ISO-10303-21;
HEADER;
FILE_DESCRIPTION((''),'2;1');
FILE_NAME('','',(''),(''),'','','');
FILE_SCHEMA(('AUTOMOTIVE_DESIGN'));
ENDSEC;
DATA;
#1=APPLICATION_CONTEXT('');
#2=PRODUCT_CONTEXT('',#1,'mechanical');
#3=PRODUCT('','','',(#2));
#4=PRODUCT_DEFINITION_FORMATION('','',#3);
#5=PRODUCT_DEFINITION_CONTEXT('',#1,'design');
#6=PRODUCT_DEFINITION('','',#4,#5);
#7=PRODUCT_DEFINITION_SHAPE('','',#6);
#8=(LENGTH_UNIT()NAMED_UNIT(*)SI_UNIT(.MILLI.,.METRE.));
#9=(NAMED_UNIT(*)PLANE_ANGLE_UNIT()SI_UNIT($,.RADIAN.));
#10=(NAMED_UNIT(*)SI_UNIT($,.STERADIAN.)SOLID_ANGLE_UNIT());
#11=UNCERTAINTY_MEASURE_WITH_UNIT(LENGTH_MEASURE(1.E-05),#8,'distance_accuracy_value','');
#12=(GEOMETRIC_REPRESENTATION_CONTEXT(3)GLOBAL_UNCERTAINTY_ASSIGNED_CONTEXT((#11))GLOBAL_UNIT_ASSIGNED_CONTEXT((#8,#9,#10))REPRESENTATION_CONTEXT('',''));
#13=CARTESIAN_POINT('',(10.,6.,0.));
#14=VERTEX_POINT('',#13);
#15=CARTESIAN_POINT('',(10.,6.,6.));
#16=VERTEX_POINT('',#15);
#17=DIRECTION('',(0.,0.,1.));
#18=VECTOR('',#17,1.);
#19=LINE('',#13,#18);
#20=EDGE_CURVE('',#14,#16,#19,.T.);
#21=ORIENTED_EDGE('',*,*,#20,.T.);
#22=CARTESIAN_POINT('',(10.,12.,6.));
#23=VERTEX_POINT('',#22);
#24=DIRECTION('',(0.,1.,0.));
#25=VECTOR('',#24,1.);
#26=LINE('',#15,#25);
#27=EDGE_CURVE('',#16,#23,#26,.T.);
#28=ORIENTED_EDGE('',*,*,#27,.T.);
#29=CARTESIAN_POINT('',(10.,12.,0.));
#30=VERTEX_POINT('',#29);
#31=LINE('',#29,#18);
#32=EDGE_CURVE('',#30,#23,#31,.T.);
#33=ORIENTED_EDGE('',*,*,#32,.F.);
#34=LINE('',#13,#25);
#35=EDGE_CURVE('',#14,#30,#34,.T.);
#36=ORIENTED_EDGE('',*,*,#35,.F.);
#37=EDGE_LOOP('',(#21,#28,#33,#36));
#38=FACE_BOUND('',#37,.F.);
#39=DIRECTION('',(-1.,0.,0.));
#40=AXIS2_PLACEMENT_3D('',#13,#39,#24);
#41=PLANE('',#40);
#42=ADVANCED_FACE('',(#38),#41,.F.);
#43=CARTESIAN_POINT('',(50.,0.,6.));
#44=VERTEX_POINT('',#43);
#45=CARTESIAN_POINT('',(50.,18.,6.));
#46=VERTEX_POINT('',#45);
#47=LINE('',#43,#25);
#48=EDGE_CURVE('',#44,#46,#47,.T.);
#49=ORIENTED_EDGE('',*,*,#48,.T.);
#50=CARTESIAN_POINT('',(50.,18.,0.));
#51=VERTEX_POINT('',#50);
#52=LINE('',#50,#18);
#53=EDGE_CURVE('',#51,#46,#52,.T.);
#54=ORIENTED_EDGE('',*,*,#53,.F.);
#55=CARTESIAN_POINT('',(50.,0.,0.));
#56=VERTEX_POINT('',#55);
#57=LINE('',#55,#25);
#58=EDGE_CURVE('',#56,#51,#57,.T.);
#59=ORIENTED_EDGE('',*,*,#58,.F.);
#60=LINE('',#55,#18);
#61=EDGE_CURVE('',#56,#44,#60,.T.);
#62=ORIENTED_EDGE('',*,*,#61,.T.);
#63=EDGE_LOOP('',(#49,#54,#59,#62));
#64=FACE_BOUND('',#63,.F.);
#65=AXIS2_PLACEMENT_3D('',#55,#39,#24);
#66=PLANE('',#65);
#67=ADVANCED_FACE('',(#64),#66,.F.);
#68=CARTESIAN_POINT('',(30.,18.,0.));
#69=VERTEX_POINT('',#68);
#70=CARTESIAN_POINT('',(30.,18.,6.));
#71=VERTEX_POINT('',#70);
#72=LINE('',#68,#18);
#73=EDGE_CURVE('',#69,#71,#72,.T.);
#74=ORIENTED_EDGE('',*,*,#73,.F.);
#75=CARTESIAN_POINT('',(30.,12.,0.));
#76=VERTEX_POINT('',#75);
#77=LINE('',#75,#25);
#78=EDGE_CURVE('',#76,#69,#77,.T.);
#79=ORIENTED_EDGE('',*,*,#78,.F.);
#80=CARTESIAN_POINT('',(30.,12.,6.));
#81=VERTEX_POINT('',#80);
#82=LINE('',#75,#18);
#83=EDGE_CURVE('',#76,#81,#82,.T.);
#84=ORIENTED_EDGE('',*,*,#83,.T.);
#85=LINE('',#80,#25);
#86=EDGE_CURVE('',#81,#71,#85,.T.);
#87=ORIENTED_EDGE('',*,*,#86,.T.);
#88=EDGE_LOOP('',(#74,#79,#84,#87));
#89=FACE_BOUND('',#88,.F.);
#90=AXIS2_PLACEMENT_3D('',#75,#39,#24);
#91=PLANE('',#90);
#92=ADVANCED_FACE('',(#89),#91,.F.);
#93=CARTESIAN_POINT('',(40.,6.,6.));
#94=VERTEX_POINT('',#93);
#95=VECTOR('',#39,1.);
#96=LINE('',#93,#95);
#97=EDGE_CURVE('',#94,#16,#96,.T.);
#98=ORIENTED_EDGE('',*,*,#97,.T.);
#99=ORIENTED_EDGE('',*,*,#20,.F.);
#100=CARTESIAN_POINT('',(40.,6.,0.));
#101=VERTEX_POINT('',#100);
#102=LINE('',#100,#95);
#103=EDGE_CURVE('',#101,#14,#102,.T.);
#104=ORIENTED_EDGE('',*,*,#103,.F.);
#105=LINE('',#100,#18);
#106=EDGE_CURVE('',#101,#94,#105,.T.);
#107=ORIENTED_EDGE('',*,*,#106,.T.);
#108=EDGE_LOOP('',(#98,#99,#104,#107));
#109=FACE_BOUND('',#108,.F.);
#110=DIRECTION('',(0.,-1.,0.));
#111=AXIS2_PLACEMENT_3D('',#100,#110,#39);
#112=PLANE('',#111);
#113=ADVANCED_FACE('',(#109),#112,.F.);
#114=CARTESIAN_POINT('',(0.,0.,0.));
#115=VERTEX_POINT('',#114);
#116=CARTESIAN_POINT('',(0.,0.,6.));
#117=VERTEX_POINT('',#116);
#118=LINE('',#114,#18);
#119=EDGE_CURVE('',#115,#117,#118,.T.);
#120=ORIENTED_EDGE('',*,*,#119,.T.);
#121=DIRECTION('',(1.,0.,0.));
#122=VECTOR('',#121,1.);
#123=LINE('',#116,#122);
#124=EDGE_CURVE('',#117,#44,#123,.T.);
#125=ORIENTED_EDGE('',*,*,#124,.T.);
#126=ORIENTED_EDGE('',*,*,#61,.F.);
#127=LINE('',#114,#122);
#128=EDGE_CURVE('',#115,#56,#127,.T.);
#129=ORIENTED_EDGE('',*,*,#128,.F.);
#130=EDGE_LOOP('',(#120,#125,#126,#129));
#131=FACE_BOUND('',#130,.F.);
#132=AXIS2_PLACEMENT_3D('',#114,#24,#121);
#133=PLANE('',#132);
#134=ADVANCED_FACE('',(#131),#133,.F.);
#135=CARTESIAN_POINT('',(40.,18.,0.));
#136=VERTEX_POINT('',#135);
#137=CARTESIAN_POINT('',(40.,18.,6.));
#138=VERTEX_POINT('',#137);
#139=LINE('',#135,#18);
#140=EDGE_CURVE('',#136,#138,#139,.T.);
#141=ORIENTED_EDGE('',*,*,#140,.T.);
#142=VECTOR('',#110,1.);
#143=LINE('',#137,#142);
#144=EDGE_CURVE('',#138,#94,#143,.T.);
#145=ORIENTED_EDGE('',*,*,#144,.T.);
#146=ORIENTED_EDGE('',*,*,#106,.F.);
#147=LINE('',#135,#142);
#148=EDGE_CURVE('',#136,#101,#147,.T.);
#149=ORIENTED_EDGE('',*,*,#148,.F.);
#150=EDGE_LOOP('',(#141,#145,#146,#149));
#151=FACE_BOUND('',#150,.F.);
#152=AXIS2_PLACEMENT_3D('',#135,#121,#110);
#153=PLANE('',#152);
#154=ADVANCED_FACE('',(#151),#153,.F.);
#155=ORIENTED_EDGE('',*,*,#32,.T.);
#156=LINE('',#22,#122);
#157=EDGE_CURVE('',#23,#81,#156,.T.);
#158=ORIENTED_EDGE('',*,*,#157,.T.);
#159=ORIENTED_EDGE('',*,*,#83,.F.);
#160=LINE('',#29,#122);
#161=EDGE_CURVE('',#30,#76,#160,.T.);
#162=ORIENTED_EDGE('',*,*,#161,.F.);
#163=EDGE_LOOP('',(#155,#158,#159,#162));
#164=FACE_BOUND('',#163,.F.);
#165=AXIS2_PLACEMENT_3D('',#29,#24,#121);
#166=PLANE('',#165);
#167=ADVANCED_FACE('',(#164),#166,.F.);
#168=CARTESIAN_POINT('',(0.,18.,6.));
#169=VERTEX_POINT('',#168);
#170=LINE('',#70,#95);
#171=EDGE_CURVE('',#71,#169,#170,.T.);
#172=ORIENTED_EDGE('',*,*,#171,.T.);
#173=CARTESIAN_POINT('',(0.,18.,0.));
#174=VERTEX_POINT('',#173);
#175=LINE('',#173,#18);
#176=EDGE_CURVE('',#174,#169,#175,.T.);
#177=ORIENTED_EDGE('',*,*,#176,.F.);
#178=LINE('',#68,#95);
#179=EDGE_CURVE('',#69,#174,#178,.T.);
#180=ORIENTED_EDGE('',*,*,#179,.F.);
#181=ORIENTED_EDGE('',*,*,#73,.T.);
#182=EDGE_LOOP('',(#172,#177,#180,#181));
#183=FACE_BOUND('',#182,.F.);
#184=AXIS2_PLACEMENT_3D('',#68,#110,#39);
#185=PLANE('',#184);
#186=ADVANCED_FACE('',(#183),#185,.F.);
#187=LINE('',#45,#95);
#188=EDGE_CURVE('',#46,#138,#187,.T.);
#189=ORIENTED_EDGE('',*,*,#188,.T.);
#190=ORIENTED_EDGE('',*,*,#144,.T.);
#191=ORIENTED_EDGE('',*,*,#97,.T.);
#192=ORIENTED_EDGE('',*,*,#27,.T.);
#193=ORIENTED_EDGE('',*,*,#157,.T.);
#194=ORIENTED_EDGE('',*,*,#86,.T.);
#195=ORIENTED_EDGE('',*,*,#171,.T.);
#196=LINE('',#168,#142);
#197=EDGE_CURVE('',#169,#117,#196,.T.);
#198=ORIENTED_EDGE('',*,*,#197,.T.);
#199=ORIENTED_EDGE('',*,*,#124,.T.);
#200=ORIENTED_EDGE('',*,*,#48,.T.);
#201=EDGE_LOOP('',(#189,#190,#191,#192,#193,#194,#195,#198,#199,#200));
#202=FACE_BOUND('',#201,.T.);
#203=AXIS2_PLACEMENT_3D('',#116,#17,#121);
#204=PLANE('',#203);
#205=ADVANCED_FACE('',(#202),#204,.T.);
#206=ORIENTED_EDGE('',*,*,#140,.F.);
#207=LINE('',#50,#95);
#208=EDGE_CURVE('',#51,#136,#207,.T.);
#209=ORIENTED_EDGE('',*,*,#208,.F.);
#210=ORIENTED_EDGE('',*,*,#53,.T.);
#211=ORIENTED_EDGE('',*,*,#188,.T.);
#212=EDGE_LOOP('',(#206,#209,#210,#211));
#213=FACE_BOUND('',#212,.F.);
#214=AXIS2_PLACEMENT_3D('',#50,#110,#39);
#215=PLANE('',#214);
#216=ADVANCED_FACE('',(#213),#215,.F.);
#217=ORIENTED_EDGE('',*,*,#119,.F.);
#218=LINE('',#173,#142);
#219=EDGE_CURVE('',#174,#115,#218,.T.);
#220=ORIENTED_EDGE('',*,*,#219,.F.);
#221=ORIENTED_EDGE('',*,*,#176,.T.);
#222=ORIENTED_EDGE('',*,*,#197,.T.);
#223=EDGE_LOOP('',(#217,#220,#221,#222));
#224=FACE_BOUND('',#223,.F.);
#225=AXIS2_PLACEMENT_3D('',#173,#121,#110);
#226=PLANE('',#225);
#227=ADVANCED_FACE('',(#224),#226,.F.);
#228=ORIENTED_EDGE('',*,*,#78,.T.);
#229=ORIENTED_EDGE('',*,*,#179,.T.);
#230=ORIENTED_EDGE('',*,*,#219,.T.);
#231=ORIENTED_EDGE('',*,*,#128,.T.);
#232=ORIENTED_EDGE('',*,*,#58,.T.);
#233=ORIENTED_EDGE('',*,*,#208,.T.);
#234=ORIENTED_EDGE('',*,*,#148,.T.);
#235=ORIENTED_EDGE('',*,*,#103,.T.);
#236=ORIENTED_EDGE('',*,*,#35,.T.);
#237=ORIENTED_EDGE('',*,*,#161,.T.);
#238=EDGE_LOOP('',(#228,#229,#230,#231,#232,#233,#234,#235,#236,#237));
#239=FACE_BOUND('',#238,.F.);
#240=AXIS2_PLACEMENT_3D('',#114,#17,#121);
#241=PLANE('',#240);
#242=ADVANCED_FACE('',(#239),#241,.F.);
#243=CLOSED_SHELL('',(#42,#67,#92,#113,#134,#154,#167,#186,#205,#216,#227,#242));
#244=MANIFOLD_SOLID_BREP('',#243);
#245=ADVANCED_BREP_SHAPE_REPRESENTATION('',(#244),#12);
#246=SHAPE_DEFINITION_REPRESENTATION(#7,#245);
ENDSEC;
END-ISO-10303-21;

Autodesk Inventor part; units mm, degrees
ref_plane "YZ Plane" through (0, 0, 0) normal (1, 0, 0) x (0, 1, 0)
ref_plane "XZ Plane" through (0, 0, 0) normal (0, 1, 0) x (-1, 0, 0)
ref_plane "XY Plane" through (0, 0, 0) normal (0, 0, 1) x (1, 0, 0)
sketch "Szkic1" plane through (0, 0, 0) normal (0, 0, 1) x (1, 0, 0)
  line L0 (0, 0) -> (50, 0) construction
  line L1 (50, 0) -> (50, 18) construction
  line L2 (50, 18) -> (0, 18) construction
  line L3 (0, 18) -> (0, 0) construction
  line L4 (25, 18) -> (25, 0) construction
  line L5 (0, 0) -> (0, 6) construction
  line L6 (0, 6) -> (50, 6) construction
  line L7 (50, 6) -> (50, 12) construction
  line L8 (50, 12) -> (0, 12) construction
  line L9 (0, 12) -> (0, 6) construction
  line L10 (0, 18) -> (10, 18) construction
  line L11 (10, 18) -> (10, 0) construction
  line L12 (50, 18) -> (30, 18) construction
  line L13 (30, 18) -> (30, 0) construction
  line L14 (40, 18) -> (40, 0) construction
  line L15 (0, 0) -> (50, 0)
  line L16 (50, 0) -> (50, 18)
  line L17 (50, 18) -> (40, 18)
  line L18 (40, 18) -> (40, 6)
  line L19 (40, 6) -> (10, 6)
  line L20 (10, 6) -> (10, 12)
  line L21 (10, 12) -> (30, 12)
  line L22 (30, 12) -> (30, 18)
  line L23 (30, 18) -> (0, 18)
  line L24 (0, 18) -> (0, 0)
  dimension "d1" = 18
  dimension "d2" = 6
  dimension "d3" = 6
  dimension "d4" = 10
  dimension "d5" = 20
  dimension "d8" = 20
extrude "Wyciągnięcie proste1" add sketch "Szkic1" along normal blind 6
properties part number "Zamkek_puszka"
